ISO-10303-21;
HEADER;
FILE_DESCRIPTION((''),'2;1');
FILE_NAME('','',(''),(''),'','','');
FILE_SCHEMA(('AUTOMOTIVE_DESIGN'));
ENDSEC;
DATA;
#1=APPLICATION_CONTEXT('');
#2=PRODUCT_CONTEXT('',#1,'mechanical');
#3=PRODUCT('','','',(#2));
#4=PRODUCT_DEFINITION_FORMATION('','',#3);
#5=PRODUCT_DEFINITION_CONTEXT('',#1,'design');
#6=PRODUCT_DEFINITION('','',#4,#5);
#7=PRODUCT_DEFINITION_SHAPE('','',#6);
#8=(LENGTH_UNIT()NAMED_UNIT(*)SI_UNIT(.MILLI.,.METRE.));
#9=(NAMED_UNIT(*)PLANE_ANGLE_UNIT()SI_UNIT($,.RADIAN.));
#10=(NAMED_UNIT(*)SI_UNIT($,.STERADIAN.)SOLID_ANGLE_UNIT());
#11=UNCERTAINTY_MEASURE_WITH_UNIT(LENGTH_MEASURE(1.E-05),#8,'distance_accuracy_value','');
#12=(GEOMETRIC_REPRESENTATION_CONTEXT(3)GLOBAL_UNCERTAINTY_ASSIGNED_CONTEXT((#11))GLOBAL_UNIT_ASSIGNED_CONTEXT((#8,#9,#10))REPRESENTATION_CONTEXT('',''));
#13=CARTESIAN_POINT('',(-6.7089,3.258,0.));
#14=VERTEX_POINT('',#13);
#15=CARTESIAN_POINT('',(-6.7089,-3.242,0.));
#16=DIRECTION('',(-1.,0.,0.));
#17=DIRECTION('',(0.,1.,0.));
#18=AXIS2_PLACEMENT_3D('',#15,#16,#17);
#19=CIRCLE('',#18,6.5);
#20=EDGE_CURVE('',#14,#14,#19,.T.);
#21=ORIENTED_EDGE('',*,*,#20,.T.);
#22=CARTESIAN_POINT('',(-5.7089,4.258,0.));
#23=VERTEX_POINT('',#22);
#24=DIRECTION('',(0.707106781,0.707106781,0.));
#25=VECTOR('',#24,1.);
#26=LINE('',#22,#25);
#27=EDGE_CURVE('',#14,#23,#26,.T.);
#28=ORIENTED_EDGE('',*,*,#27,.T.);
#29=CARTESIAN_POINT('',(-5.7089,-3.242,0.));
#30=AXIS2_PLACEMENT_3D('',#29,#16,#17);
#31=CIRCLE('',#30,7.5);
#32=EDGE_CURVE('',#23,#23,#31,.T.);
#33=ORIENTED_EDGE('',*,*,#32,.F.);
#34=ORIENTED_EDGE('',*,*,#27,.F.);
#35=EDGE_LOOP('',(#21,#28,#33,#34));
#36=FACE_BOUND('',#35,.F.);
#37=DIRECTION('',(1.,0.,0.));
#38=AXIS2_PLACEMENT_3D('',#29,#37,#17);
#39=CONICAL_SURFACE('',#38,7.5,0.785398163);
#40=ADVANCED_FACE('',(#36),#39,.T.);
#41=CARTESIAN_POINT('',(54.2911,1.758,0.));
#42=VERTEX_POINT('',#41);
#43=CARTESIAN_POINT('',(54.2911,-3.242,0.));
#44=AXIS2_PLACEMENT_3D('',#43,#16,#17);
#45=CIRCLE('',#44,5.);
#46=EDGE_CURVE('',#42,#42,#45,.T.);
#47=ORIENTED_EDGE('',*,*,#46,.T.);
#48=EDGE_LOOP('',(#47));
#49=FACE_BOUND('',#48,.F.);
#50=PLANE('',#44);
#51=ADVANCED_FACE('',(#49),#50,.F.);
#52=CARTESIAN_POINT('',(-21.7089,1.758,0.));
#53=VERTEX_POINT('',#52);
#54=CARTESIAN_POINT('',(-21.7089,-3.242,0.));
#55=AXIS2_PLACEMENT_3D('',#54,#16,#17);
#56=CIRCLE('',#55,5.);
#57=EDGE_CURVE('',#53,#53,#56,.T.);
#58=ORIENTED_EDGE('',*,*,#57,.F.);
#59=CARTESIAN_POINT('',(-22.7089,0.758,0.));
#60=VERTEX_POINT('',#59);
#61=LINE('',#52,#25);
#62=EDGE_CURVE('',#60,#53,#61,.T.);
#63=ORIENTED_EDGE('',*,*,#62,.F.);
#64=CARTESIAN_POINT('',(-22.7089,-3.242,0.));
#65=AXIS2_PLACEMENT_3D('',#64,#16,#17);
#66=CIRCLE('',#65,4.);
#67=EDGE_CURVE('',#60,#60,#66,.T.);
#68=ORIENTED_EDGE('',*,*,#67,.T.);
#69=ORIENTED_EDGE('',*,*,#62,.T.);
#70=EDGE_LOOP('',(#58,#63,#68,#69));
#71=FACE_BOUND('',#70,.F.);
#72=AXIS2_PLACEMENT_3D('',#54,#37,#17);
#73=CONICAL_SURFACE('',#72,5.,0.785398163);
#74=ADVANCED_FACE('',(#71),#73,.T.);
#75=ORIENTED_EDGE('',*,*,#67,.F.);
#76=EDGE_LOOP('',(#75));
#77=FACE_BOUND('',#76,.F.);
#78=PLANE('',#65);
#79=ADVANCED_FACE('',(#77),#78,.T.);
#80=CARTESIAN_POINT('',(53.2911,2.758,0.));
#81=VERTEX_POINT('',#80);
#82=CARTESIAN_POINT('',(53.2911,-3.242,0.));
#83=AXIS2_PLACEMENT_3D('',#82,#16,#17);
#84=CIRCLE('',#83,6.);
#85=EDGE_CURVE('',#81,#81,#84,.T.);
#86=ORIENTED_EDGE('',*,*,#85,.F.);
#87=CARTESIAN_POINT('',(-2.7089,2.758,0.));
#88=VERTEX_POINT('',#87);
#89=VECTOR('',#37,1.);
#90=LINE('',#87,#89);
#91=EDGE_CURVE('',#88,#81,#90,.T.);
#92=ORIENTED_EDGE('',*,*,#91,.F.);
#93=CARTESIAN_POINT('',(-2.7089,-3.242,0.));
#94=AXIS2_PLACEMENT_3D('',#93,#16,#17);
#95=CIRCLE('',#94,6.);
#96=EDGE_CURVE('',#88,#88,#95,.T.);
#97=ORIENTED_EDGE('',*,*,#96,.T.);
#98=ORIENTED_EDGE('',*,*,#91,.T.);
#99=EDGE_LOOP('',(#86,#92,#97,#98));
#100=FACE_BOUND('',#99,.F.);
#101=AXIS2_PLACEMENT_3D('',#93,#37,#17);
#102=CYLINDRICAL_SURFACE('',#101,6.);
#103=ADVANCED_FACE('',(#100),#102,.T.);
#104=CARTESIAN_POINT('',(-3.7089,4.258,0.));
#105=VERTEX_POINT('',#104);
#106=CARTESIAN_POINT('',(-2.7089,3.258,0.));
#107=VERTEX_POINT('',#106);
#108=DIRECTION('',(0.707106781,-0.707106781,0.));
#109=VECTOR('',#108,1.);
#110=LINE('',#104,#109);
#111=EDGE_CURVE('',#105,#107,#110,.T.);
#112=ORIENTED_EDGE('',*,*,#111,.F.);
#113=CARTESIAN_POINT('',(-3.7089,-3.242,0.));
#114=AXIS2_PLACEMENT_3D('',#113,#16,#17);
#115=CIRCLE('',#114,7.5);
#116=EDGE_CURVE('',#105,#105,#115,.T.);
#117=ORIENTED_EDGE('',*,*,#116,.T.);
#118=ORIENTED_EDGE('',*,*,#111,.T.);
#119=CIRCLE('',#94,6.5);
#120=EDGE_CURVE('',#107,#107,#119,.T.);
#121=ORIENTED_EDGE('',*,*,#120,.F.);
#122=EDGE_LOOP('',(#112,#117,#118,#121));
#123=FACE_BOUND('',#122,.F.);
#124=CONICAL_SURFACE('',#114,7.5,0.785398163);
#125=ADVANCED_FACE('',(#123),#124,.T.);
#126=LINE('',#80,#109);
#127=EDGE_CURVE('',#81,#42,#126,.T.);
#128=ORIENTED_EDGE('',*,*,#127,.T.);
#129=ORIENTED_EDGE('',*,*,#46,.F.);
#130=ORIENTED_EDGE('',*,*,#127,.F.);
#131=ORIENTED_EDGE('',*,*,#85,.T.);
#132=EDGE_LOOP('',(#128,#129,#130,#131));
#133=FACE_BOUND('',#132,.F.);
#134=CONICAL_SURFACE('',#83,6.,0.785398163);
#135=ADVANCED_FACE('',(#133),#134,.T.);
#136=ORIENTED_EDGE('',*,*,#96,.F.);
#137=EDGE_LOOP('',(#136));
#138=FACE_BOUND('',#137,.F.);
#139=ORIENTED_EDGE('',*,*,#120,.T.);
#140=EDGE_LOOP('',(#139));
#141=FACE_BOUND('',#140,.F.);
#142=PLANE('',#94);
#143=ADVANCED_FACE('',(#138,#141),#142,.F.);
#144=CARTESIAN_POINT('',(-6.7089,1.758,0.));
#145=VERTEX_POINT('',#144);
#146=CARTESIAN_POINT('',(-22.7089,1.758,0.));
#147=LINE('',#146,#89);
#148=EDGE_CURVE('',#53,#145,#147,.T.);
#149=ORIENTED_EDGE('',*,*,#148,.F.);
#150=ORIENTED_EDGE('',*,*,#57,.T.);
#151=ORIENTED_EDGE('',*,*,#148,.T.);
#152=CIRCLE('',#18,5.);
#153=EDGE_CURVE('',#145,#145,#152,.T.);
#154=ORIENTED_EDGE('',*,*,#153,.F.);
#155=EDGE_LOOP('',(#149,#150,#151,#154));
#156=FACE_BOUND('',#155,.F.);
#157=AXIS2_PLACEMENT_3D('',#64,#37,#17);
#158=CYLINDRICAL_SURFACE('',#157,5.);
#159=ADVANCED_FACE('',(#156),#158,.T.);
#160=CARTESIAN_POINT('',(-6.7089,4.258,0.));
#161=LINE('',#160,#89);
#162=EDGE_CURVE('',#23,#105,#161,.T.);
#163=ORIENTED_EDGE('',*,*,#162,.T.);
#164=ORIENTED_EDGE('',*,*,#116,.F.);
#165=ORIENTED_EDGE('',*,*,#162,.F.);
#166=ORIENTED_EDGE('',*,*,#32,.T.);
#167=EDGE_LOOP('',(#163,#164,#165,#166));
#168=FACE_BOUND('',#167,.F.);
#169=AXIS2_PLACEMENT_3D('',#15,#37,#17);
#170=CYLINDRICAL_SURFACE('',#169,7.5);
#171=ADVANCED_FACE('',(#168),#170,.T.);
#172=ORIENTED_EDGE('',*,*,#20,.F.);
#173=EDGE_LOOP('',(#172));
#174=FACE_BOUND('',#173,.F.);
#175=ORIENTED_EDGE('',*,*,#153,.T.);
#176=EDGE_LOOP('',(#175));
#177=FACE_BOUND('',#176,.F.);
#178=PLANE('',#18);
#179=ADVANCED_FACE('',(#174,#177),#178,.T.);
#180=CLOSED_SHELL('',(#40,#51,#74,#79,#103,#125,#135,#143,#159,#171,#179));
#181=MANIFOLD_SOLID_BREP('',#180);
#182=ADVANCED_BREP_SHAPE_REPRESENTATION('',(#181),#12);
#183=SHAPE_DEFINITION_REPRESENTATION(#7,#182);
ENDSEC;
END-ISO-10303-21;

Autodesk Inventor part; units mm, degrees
ref_plane "YZ Plane" through (0, 0, 0) normal (1, 0, 0) x (0, 1, 0)
ref_plane "XZ Plane" through (0, 0, 0) normal (0, 1, 0) x (-1, 0, 0)
ref_plane "XY Plane" through (0, 0, 0) normal (0, 0, 1) x (1, 0, 0)
sketch "Sketch1" plane through (0, 0, 0) normal (0, 0, 1) x (1, 0, 0)
  line L0 (-22.7089, -3.242) -> (-22.7089, 1.758)
  line L1 (-22.7089, 1.758) -> (-6.7089, 1.758)
  line L2 (-6.7089, 1.758) -> (-6.7089, 4.258)
  line L3 (-6.7089, 4.258) -> (-2.7089, 4.258)
  line L4 (54.2911, -3.242) -> (-22.7089, -3.242)
  line L5 (-2.7089, 2.758) -> (54.2911, 2.758)
  line L6 (54.2911, 2.758) -> (54.2911, -3.242)
  line L7 (-2.7089, 4.258) -> (-2.7089, 2.758)
  point P0 (0, 0)
  dimension "d0" = 5
  dimension "d1" = 16
  dimension "d2" = 4
  dimension "d5" = 6
  dimension "d6" = 7.5
  dimension "d7" = 57
revolve "Revolution1" add sketch "Sketch1" angle 360 about axis through (54.2911, -3.242, 0) along (-1, 0, 0)
thread "Thread1" size "M10x1.5" class "6g" standard "ANSI Metric M Profile" full length
thread "Thread2" size "M12x1.75" class "6g" standard "ANSI Metric M Profile" length 20
chamfer "Chamfer1" distance 1 angle 45 4 edges at (54.2911, -9.242, 0) (-22.7089, -8.242, 0) (-6.7089, -10.742, 0) (-2.7089, -10.742, 0)
properties part number "KisTenge"
